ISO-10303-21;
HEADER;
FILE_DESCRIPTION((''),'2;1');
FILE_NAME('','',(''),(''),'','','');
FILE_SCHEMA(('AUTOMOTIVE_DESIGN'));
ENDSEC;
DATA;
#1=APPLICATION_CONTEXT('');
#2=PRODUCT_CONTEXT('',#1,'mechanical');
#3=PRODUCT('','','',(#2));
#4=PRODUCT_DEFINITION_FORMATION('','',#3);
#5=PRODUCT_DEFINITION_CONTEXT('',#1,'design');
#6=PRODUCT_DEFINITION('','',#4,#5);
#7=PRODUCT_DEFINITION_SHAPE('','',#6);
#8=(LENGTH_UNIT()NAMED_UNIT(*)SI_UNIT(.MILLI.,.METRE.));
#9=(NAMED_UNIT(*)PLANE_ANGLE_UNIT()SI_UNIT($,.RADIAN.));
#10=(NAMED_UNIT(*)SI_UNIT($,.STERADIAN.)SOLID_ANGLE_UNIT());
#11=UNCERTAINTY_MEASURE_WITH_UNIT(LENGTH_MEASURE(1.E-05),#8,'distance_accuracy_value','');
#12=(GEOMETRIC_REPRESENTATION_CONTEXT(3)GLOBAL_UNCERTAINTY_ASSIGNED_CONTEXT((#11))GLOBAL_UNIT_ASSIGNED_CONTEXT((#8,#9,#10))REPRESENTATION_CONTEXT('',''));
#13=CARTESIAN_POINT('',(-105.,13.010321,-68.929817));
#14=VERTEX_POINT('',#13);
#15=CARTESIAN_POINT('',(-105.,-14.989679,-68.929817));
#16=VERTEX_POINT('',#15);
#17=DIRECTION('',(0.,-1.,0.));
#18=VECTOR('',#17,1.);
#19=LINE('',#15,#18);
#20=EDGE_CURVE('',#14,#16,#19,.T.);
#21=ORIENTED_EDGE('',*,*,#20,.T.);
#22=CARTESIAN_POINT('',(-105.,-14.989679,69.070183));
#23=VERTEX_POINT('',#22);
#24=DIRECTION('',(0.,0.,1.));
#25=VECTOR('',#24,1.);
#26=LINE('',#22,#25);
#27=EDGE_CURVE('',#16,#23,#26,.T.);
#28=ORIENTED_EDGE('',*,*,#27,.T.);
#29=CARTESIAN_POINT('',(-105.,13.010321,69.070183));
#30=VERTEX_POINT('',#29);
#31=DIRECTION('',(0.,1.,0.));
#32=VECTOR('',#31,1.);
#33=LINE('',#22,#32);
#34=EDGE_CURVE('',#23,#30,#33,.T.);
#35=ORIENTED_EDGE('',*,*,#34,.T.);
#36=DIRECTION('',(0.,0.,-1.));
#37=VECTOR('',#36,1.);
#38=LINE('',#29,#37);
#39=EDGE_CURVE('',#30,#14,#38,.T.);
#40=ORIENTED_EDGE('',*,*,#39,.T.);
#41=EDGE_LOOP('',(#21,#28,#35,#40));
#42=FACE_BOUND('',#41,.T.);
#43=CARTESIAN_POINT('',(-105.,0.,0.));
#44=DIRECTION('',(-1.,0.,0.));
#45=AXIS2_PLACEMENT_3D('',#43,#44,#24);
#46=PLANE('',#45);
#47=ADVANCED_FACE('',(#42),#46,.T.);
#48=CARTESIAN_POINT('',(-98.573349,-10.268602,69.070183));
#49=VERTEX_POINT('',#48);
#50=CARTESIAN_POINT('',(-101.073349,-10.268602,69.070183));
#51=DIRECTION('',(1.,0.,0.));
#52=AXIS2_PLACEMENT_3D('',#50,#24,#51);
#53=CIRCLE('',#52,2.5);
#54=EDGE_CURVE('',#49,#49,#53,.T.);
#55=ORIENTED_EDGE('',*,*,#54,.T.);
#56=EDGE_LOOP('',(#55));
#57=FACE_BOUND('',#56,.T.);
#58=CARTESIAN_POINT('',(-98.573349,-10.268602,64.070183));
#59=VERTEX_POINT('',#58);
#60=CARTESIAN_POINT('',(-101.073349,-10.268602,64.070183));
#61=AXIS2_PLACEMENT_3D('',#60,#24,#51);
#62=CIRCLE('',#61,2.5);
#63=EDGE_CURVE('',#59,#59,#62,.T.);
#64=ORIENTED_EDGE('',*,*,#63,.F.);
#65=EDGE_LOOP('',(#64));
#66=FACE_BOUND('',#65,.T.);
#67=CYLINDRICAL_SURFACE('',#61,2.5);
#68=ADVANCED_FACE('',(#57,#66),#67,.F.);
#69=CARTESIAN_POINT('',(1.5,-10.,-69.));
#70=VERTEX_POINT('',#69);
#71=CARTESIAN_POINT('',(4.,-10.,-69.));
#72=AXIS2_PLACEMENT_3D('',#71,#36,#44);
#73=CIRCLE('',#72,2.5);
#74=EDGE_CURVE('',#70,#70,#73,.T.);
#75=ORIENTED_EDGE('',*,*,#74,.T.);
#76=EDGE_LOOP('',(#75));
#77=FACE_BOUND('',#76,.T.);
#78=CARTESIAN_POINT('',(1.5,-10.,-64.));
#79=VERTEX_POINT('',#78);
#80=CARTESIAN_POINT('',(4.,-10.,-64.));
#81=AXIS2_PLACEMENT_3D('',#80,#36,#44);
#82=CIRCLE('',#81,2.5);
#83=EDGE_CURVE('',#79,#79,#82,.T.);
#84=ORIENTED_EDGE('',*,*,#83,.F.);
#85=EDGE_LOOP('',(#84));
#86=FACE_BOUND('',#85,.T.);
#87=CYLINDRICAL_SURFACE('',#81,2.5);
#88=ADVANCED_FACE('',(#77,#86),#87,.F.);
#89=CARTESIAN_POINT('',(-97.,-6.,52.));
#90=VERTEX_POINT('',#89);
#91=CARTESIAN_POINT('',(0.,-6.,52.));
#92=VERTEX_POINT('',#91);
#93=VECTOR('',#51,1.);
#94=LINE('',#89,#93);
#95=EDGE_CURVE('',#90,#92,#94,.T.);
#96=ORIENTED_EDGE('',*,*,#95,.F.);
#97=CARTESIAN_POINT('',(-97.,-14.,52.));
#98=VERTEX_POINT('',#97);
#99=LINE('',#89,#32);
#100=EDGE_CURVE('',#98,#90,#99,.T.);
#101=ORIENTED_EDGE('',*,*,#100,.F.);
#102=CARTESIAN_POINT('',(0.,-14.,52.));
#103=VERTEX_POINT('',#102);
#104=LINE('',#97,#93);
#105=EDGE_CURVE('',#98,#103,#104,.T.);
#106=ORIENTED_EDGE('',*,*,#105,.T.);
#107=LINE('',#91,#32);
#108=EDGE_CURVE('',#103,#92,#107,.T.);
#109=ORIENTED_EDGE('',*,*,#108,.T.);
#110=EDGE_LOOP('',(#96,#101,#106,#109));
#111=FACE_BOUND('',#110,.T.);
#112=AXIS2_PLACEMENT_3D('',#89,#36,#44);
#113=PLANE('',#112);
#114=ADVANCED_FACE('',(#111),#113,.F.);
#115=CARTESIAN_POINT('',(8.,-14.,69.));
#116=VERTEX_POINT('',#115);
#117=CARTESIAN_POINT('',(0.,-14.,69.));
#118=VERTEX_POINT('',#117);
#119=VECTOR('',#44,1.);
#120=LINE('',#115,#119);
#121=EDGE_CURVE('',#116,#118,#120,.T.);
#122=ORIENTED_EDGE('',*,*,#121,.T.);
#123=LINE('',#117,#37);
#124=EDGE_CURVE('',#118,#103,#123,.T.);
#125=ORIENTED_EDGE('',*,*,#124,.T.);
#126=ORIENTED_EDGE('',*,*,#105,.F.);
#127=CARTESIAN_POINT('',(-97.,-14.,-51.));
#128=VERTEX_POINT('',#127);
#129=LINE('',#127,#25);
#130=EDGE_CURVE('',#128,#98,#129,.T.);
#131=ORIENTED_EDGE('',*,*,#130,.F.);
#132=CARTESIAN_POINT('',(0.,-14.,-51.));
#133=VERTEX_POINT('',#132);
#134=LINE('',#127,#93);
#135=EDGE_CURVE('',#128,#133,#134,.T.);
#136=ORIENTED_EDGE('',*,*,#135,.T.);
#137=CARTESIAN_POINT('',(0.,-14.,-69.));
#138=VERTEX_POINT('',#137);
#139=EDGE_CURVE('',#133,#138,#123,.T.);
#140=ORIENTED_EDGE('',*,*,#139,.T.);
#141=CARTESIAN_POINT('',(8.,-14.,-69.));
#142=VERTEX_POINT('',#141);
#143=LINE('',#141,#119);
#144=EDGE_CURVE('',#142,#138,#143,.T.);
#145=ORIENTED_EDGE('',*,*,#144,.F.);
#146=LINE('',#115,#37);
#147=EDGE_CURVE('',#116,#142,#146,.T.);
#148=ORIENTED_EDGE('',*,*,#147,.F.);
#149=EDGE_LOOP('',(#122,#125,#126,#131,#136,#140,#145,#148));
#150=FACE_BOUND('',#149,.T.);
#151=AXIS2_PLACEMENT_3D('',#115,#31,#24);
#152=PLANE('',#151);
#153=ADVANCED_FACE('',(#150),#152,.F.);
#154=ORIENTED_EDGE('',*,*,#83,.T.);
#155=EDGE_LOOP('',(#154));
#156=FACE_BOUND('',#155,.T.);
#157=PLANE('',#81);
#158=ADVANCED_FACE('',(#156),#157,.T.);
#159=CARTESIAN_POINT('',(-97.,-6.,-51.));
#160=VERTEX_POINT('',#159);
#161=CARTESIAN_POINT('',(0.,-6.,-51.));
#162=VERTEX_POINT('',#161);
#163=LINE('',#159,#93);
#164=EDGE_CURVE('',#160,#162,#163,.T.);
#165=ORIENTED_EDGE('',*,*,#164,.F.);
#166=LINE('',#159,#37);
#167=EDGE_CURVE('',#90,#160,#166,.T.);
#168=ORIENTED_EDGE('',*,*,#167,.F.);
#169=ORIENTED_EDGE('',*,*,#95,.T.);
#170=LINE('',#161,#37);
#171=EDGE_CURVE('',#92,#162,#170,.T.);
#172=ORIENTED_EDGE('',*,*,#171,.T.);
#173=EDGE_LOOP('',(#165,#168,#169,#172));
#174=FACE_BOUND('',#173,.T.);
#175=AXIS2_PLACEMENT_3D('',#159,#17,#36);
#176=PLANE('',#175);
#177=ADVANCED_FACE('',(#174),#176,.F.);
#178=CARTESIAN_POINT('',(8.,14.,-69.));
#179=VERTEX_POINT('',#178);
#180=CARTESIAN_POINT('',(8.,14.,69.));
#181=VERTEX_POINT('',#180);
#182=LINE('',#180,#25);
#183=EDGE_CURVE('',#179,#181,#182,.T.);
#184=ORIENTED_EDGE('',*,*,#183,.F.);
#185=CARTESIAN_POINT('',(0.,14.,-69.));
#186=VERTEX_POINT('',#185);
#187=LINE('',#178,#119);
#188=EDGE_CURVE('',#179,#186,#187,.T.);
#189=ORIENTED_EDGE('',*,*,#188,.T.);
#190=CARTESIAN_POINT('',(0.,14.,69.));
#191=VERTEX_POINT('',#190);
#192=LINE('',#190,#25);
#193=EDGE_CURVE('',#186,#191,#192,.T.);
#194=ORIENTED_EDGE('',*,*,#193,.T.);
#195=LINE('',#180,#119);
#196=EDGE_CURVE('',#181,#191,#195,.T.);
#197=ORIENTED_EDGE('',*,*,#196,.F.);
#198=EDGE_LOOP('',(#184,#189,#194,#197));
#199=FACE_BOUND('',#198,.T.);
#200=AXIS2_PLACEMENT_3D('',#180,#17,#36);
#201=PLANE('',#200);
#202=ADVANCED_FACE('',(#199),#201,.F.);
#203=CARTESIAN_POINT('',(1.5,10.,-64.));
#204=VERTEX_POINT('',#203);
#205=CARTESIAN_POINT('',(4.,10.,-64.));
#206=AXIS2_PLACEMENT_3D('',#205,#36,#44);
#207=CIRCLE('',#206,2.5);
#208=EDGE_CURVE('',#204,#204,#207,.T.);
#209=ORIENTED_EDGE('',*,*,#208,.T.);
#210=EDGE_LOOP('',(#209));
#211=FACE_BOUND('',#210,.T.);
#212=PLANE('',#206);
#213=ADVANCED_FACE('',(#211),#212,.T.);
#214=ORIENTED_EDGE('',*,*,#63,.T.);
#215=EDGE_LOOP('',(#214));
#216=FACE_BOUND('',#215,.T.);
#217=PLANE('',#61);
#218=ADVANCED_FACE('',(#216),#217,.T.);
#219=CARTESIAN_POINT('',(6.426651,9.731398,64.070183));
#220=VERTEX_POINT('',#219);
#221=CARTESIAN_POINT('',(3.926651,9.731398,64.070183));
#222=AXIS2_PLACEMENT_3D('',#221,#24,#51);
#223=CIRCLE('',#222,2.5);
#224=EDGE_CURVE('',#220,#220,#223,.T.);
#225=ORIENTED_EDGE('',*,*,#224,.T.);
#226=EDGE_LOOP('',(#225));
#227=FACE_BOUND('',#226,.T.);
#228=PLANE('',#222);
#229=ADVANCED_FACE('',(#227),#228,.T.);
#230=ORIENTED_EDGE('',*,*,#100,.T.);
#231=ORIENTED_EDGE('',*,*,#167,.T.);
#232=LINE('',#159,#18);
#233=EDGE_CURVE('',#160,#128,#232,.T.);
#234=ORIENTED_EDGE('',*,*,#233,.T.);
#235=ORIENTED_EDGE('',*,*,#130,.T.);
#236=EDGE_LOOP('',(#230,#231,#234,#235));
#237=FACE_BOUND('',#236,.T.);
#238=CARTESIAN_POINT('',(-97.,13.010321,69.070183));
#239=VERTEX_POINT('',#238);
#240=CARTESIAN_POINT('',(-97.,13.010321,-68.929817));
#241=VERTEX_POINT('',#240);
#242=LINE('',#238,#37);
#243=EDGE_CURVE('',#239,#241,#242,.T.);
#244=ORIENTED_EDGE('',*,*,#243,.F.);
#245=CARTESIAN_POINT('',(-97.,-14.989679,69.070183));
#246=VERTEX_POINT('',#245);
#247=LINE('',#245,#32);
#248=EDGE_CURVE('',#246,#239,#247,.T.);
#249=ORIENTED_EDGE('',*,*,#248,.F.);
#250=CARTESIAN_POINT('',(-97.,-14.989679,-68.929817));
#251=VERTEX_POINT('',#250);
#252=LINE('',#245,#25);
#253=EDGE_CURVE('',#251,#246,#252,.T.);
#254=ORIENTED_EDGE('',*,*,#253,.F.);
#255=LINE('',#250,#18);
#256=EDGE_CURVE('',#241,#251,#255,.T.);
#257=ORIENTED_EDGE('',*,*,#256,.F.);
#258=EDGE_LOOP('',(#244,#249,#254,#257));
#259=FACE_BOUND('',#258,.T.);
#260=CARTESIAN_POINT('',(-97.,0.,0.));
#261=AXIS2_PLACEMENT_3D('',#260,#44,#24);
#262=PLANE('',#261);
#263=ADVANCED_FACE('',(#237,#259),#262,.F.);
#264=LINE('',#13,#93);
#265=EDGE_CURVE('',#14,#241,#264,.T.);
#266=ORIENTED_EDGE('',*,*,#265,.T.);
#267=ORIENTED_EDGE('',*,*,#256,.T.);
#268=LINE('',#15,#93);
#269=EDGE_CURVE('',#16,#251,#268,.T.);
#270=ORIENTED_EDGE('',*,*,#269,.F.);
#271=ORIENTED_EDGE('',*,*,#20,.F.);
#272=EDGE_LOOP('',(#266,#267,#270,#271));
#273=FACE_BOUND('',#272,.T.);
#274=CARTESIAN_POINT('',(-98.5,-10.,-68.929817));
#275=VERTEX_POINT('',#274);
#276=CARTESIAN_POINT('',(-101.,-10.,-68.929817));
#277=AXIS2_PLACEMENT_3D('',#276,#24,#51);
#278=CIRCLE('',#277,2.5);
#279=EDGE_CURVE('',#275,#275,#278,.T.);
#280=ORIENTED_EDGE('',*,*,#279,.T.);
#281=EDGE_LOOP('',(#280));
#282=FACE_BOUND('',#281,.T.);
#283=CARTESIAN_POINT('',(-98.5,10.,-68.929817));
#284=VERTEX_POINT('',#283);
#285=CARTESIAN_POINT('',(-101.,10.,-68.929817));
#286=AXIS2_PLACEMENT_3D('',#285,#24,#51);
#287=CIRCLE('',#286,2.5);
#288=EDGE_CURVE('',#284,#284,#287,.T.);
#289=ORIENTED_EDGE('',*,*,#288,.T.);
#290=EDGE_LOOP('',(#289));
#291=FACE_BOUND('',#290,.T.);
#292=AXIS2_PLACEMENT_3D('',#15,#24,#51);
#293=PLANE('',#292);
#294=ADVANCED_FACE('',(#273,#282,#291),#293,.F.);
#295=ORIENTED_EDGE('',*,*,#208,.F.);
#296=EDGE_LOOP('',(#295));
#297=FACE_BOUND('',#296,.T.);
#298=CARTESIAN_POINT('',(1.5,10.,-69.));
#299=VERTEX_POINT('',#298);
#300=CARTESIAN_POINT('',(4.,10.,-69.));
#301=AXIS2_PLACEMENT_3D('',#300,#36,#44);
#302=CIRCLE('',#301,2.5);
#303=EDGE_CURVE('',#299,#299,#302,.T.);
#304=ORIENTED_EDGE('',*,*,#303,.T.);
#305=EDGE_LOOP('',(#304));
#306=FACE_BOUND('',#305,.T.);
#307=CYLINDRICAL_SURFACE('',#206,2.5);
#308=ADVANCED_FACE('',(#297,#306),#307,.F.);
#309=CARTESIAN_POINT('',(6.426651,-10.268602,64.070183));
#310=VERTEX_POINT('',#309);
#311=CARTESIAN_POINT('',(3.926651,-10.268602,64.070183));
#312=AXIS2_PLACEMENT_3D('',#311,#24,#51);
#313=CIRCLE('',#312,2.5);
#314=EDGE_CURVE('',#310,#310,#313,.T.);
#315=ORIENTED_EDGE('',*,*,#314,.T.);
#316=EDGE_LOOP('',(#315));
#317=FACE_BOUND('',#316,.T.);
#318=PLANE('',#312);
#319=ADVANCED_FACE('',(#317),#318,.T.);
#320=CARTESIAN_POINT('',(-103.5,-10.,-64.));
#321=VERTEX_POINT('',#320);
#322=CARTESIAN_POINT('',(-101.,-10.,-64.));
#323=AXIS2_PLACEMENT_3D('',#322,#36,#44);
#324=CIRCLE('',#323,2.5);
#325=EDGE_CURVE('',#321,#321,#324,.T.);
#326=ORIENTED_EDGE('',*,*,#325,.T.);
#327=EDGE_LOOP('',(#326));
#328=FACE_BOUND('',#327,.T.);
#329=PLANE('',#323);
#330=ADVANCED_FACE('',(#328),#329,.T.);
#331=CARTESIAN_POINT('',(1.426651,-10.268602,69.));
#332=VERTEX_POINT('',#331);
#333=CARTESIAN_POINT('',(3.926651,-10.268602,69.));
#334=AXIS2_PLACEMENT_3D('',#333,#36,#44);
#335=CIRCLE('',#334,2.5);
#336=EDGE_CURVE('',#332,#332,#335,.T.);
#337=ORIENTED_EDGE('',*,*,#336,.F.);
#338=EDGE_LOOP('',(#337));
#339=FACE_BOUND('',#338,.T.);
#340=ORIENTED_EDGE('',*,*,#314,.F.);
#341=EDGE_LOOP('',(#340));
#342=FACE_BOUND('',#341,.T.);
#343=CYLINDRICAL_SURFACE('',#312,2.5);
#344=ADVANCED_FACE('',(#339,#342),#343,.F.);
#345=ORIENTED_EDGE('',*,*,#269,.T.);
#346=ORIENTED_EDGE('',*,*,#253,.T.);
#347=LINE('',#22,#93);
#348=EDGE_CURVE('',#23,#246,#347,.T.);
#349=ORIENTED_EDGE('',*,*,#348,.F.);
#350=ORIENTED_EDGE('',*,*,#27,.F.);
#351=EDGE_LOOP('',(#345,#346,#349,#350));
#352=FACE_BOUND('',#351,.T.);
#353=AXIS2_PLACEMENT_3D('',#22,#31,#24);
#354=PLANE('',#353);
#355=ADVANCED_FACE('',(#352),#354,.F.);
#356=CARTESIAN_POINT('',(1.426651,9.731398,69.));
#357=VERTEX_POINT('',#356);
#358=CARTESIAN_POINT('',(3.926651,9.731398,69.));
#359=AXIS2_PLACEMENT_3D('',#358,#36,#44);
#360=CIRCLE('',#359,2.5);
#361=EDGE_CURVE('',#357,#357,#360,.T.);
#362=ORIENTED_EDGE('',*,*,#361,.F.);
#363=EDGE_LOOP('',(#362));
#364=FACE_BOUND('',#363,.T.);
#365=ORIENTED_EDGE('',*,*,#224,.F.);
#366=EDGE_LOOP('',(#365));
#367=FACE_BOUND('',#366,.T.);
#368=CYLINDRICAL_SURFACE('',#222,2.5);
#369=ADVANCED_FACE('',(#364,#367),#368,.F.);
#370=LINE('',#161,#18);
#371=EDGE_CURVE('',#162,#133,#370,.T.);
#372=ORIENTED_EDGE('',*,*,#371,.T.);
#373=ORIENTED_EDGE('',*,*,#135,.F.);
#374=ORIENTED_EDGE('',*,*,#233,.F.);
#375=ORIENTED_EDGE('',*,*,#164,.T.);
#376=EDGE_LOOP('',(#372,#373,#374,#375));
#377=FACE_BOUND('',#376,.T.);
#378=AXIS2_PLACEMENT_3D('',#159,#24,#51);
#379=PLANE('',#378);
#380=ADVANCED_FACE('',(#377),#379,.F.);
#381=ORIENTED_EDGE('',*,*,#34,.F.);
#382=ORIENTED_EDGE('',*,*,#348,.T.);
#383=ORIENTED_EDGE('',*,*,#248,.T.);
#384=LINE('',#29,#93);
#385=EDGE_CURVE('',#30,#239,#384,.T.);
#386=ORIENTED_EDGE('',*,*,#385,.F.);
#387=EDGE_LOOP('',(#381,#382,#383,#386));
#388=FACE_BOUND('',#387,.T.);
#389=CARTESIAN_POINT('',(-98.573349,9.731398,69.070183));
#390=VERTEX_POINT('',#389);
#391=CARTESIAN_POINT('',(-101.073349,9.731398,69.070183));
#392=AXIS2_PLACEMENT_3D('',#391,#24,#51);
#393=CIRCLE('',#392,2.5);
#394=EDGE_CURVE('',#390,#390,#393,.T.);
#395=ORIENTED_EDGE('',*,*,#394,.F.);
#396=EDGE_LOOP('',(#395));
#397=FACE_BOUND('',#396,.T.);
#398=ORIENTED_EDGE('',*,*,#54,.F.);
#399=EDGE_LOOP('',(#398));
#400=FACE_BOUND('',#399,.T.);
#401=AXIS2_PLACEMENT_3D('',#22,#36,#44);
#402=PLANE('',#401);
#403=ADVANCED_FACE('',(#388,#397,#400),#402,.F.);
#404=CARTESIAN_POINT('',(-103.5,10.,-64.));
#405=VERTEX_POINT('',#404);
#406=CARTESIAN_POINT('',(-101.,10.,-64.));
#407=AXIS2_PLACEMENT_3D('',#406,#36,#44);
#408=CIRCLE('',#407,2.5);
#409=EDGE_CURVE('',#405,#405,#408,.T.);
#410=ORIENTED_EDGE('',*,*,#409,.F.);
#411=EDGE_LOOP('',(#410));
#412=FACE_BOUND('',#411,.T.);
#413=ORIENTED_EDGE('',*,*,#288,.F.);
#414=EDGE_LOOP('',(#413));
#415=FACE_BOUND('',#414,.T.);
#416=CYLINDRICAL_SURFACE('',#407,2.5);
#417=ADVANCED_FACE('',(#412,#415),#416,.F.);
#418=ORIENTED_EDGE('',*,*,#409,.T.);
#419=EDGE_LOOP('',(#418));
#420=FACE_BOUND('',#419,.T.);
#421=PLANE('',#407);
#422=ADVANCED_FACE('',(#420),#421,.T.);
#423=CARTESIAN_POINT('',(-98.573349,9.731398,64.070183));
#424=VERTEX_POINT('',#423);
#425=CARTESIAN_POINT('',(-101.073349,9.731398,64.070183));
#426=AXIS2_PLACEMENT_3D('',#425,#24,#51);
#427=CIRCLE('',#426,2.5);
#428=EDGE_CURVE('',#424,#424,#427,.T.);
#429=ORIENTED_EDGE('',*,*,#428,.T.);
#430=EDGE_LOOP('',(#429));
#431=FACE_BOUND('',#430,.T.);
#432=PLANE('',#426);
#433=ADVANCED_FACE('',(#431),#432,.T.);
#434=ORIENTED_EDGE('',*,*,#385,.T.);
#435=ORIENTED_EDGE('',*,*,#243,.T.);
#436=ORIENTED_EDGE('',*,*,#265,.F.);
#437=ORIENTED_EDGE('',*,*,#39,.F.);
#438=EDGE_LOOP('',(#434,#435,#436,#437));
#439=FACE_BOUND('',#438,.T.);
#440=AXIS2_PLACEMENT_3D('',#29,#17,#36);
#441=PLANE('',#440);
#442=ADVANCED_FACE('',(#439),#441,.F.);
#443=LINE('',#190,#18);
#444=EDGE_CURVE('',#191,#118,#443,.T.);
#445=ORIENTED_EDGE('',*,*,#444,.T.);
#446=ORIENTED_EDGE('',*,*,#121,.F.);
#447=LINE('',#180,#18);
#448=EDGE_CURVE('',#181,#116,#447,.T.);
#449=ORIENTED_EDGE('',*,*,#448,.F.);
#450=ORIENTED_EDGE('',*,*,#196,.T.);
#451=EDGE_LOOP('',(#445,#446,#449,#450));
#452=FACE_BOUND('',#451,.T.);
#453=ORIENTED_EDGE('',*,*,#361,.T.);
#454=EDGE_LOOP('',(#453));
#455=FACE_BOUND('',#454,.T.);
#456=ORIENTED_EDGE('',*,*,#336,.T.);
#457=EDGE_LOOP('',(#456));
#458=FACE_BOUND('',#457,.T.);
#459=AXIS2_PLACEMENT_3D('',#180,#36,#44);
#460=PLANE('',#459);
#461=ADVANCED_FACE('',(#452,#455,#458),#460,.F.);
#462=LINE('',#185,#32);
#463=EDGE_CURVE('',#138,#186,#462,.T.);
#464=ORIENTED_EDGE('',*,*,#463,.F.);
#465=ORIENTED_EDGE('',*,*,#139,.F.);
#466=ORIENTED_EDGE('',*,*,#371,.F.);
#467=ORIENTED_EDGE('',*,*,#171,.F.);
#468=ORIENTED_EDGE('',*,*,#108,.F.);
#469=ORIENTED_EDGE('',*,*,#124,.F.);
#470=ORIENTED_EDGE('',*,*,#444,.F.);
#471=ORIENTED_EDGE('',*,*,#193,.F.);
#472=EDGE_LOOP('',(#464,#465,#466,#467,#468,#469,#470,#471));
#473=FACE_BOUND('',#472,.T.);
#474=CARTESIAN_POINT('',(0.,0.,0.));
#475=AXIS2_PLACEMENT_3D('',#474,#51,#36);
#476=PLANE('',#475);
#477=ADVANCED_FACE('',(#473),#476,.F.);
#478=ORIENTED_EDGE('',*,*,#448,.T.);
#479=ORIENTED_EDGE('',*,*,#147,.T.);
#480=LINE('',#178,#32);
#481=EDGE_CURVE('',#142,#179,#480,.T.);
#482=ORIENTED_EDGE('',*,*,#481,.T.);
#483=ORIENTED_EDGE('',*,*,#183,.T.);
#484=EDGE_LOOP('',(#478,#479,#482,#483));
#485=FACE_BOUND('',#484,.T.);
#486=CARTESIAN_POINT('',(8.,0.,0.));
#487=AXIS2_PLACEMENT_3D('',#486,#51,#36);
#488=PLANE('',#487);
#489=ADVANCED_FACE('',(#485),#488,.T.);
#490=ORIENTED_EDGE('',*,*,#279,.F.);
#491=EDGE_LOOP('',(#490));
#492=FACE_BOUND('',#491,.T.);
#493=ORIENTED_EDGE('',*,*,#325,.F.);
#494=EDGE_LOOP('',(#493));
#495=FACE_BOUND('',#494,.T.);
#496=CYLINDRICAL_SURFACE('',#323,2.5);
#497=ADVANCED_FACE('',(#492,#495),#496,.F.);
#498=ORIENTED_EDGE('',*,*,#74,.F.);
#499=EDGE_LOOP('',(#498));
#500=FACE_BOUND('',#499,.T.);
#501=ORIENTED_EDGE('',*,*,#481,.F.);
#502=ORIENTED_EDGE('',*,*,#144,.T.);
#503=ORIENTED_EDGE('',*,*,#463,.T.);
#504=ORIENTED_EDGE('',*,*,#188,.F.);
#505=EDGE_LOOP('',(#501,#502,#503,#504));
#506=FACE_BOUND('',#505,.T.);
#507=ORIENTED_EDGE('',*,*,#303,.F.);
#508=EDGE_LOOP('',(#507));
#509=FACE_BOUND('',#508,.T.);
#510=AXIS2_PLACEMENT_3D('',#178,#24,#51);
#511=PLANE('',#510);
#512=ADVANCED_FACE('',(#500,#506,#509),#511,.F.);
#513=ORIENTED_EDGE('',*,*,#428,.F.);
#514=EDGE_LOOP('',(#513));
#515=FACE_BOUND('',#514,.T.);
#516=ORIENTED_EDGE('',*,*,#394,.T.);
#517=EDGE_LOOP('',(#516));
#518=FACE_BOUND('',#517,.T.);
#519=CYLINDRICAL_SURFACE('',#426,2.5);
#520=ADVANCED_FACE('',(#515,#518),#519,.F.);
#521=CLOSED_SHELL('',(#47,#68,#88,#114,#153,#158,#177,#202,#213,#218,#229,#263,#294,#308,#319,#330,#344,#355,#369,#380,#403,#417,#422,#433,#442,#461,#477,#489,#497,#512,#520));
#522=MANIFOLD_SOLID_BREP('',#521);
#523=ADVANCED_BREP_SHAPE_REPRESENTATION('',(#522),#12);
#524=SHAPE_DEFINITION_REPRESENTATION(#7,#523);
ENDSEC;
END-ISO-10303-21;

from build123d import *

# Parameters (mm, degrees)
SKETCH_1_W          = 138
SKETCH_1_H          = 28
EXTRUDE_1_DEPTH     = 8
SKETCH_2_W          = 103
SKETCH_2_H          = 8
EXTRUDE_2_DEPTH     = 97
SKETCH_3_W          = 138
SKETCH_3_H          = 28
EXTRUDE_3_DEPTH     = 8
SKETCH_4_R          = 2.5
CUT_EXTRUDE_1_DEPTH = 5
SKETCH_5_R          = 2.5
CUT_EXTRUDE_2_DEPTH = 5


with BuildPart() as part:
    # 草图1 → 凸台-拉伸1 (new body)
    with BuildSketch(Plane(origin=(0, 0, 0), x_dir=(0, 0, -1), z_dir=(1, 0, 0))):
        Rectangle(SKETCH_1_W, SKETCH_1_H)
    extrude(amount=EXTRUDE_1_DEPTH)

    # 草图2 → 凸台-拉伸2 (add)
    with BuildSketch(Plane.ZY):
        with Locations((0.5, -10)):
            Rectangle(SKETCH_2_W, SKETCH_2_H)
    extrude(amount=EXTRUDE_2_DEPTH)

    # 草图3 → 凸台-拉伸3 (add)
    with BuildSketch(Plane.ZY.offset(97)):
        with Locations((0.070183463, -0.989678925)):
            Rectangle(SKETCH_3_W, SKETCH_3_H)
    extrude(amount=EXTRUDE_3_DEPTH)

    # 草图4 → 切除-拉伸1 (cut)
    with BuildSketch(Plane.XY.offset(69.070183463)):
        with Locations((-101.073349409, 9.731398078)):
            Circle(SKETCH_4_R)
        with Locations((3.926650591, 9.731398078)):
            Circle(SKETCH_4_R)
        with Locations((3.926650591, -10.268601922)):
            Circle(SKETCH_4_R)
        with Locations((-101.073349409, -10.268601922)):
            Circle(SKETCH_4_R)
    extrude(amount=-CUT_EXTRUDE_1_DEPTH, mode=Mode.SUBTRACT)

    # 草图5 → 切除-拉伸2 (cut)
    with BuildSketch(Plane(origin=(0, 0, -69), x_dir=(-1, 0, 0), z_dir=(0, 0, -1))):
        with Locations((-4, 10)):
            Circle(SKETCH_5_R)
        with Locations((101, 10)):
            Circle(SKETCH_5_R)
        with Locations((101, -10)):
            Circle(SKETCH_5_R)
        with Locations((-4, -10)):
            Circle(SKETCH_5_R)
    extrude(amount=-CUT_EXTRUDE_2_DEPTH, mode=Mode.SUBTRACT)


solid = part.part
